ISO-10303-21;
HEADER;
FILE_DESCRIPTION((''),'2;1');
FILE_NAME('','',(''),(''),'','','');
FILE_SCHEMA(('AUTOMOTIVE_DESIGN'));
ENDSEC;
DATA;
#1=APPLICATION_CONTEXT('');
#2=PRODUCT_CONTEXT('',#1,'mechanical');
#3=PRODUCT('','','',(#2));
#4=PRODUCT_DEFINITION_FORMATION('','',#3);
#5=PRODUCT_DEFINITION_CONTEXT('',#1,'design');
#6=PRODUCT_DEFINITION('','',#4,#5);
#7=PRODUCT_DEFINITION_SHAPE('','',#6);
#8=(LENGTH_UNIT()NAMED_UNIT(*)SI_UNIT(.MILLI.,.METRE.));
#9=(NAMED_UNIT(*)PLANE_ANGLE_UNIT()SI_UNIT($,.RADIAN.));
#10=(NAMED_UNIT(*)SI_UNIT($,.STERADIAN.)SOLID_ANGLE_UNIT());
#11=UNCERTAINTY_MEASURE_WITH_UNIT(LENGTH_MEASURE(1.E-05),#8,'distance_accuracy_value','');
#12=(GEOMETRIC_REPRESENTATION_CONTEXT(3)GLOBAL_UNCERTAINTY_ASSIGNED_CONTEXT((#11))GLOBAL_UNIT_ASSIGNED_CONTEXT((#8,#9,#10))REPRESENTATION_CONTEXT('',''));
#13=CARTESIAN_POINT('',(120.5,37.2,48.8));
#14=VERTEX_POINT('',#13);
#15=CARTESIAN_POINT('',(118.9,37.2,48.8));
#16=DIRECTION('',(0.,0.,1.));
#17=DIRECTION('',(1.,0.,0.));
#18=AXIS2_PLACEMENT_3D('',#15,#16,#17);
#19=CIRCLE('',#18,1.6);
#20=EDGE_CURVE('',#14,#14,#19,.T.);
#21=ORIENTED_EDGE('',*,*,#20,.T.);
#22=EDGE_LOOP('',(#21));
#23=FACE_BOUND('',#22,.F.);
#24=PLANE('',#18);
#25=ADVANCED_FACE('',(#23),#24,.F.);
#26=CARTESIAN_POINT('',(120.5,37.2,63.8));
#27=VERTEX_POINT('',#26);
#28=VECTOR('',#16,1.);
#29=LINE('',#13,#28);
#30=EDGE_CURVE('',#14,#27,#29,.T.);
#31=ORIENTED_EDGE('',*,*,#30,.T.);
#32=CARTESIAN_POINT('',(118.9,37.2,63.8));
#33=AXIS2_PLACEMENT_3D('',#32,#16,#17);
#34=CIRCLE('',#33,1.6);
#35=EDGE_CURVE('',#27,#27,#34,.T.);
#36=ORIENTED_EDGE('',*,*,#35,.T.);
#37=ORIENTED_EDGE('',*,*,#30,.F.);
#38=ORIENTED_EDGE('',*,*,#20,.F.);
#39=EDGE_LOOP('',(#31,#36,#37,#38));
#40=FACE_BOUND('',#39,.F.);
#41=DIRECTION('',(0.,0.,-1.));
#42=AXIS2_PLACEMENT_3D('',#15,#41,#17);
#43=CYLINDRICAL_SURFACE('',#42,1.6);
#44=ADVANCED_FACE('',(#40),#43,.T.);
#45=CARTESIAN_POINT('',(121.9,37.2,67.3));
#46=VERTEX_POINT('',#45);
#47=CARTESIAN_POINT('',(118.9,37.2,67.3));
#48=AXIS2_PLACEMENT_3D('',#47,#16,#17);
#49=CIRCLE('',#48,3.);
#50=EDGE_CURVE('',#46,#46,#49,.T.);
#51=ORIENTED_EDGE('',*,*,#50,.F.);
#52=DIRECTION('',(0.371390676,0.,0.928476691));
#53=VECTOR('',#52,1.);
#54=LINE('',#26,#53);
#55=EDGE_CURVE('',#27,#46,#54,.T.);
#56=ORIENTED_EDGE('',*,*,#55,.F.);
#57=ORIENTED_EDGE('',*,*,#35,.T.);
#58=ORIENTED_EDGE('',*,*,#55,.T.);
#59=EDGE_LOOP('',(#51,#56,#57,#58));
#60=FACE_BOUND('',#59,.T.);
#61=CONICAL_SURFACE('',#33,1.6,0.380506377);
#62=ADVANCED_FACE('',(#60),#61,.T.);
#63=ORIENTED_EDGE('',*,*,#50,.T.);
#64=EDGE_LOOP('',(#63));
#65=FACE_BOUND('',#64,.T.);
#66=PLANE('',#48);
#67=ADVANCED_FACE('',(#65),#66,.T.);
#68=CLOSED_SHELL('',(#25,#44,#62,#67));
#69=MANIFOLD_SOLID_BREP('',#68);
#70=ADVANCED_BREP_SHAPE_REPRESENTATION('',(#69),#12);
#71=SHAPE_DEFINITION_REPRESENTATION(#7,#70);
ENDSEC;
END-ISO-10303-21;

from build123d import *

# Parameters (mm, degrees)
CYLINDER111_R     = 1.6
CYLINDER111_DEPTH = 15


with BuildPart() as cylinder111:
    # Cylinder111 → Cylinder111 (new body)
    with BuildSketch(Plane.XY):
        Circle(CYLINDER111_R)
    extrude(amount=CYLINDER111_DEPTH)


with BuildPart() as fusion045:
    # Cone013 → Cone013 (revolve)
    with BuildSketch(Plane(origin=(0, 0, 15), x_dir=(1, 0, 0), z_dir=(0, -1, 0))):
        Polygon((0, 0), (1.6, 0), (3, 3.5), (0, 3.5), align=None)
    revolve(axis=Axis((0, 0, 15), (0, 0, 1)))

    # Fusion045: union Cylinder111
    add(cylinder111.part)


with BuildPart() as fusion045_1:
    # Fusion045 placement: moved
    add(fusion045.part.moved(Location((118.9, 37.2, 48.8))))


solid = fusion045_1.part
